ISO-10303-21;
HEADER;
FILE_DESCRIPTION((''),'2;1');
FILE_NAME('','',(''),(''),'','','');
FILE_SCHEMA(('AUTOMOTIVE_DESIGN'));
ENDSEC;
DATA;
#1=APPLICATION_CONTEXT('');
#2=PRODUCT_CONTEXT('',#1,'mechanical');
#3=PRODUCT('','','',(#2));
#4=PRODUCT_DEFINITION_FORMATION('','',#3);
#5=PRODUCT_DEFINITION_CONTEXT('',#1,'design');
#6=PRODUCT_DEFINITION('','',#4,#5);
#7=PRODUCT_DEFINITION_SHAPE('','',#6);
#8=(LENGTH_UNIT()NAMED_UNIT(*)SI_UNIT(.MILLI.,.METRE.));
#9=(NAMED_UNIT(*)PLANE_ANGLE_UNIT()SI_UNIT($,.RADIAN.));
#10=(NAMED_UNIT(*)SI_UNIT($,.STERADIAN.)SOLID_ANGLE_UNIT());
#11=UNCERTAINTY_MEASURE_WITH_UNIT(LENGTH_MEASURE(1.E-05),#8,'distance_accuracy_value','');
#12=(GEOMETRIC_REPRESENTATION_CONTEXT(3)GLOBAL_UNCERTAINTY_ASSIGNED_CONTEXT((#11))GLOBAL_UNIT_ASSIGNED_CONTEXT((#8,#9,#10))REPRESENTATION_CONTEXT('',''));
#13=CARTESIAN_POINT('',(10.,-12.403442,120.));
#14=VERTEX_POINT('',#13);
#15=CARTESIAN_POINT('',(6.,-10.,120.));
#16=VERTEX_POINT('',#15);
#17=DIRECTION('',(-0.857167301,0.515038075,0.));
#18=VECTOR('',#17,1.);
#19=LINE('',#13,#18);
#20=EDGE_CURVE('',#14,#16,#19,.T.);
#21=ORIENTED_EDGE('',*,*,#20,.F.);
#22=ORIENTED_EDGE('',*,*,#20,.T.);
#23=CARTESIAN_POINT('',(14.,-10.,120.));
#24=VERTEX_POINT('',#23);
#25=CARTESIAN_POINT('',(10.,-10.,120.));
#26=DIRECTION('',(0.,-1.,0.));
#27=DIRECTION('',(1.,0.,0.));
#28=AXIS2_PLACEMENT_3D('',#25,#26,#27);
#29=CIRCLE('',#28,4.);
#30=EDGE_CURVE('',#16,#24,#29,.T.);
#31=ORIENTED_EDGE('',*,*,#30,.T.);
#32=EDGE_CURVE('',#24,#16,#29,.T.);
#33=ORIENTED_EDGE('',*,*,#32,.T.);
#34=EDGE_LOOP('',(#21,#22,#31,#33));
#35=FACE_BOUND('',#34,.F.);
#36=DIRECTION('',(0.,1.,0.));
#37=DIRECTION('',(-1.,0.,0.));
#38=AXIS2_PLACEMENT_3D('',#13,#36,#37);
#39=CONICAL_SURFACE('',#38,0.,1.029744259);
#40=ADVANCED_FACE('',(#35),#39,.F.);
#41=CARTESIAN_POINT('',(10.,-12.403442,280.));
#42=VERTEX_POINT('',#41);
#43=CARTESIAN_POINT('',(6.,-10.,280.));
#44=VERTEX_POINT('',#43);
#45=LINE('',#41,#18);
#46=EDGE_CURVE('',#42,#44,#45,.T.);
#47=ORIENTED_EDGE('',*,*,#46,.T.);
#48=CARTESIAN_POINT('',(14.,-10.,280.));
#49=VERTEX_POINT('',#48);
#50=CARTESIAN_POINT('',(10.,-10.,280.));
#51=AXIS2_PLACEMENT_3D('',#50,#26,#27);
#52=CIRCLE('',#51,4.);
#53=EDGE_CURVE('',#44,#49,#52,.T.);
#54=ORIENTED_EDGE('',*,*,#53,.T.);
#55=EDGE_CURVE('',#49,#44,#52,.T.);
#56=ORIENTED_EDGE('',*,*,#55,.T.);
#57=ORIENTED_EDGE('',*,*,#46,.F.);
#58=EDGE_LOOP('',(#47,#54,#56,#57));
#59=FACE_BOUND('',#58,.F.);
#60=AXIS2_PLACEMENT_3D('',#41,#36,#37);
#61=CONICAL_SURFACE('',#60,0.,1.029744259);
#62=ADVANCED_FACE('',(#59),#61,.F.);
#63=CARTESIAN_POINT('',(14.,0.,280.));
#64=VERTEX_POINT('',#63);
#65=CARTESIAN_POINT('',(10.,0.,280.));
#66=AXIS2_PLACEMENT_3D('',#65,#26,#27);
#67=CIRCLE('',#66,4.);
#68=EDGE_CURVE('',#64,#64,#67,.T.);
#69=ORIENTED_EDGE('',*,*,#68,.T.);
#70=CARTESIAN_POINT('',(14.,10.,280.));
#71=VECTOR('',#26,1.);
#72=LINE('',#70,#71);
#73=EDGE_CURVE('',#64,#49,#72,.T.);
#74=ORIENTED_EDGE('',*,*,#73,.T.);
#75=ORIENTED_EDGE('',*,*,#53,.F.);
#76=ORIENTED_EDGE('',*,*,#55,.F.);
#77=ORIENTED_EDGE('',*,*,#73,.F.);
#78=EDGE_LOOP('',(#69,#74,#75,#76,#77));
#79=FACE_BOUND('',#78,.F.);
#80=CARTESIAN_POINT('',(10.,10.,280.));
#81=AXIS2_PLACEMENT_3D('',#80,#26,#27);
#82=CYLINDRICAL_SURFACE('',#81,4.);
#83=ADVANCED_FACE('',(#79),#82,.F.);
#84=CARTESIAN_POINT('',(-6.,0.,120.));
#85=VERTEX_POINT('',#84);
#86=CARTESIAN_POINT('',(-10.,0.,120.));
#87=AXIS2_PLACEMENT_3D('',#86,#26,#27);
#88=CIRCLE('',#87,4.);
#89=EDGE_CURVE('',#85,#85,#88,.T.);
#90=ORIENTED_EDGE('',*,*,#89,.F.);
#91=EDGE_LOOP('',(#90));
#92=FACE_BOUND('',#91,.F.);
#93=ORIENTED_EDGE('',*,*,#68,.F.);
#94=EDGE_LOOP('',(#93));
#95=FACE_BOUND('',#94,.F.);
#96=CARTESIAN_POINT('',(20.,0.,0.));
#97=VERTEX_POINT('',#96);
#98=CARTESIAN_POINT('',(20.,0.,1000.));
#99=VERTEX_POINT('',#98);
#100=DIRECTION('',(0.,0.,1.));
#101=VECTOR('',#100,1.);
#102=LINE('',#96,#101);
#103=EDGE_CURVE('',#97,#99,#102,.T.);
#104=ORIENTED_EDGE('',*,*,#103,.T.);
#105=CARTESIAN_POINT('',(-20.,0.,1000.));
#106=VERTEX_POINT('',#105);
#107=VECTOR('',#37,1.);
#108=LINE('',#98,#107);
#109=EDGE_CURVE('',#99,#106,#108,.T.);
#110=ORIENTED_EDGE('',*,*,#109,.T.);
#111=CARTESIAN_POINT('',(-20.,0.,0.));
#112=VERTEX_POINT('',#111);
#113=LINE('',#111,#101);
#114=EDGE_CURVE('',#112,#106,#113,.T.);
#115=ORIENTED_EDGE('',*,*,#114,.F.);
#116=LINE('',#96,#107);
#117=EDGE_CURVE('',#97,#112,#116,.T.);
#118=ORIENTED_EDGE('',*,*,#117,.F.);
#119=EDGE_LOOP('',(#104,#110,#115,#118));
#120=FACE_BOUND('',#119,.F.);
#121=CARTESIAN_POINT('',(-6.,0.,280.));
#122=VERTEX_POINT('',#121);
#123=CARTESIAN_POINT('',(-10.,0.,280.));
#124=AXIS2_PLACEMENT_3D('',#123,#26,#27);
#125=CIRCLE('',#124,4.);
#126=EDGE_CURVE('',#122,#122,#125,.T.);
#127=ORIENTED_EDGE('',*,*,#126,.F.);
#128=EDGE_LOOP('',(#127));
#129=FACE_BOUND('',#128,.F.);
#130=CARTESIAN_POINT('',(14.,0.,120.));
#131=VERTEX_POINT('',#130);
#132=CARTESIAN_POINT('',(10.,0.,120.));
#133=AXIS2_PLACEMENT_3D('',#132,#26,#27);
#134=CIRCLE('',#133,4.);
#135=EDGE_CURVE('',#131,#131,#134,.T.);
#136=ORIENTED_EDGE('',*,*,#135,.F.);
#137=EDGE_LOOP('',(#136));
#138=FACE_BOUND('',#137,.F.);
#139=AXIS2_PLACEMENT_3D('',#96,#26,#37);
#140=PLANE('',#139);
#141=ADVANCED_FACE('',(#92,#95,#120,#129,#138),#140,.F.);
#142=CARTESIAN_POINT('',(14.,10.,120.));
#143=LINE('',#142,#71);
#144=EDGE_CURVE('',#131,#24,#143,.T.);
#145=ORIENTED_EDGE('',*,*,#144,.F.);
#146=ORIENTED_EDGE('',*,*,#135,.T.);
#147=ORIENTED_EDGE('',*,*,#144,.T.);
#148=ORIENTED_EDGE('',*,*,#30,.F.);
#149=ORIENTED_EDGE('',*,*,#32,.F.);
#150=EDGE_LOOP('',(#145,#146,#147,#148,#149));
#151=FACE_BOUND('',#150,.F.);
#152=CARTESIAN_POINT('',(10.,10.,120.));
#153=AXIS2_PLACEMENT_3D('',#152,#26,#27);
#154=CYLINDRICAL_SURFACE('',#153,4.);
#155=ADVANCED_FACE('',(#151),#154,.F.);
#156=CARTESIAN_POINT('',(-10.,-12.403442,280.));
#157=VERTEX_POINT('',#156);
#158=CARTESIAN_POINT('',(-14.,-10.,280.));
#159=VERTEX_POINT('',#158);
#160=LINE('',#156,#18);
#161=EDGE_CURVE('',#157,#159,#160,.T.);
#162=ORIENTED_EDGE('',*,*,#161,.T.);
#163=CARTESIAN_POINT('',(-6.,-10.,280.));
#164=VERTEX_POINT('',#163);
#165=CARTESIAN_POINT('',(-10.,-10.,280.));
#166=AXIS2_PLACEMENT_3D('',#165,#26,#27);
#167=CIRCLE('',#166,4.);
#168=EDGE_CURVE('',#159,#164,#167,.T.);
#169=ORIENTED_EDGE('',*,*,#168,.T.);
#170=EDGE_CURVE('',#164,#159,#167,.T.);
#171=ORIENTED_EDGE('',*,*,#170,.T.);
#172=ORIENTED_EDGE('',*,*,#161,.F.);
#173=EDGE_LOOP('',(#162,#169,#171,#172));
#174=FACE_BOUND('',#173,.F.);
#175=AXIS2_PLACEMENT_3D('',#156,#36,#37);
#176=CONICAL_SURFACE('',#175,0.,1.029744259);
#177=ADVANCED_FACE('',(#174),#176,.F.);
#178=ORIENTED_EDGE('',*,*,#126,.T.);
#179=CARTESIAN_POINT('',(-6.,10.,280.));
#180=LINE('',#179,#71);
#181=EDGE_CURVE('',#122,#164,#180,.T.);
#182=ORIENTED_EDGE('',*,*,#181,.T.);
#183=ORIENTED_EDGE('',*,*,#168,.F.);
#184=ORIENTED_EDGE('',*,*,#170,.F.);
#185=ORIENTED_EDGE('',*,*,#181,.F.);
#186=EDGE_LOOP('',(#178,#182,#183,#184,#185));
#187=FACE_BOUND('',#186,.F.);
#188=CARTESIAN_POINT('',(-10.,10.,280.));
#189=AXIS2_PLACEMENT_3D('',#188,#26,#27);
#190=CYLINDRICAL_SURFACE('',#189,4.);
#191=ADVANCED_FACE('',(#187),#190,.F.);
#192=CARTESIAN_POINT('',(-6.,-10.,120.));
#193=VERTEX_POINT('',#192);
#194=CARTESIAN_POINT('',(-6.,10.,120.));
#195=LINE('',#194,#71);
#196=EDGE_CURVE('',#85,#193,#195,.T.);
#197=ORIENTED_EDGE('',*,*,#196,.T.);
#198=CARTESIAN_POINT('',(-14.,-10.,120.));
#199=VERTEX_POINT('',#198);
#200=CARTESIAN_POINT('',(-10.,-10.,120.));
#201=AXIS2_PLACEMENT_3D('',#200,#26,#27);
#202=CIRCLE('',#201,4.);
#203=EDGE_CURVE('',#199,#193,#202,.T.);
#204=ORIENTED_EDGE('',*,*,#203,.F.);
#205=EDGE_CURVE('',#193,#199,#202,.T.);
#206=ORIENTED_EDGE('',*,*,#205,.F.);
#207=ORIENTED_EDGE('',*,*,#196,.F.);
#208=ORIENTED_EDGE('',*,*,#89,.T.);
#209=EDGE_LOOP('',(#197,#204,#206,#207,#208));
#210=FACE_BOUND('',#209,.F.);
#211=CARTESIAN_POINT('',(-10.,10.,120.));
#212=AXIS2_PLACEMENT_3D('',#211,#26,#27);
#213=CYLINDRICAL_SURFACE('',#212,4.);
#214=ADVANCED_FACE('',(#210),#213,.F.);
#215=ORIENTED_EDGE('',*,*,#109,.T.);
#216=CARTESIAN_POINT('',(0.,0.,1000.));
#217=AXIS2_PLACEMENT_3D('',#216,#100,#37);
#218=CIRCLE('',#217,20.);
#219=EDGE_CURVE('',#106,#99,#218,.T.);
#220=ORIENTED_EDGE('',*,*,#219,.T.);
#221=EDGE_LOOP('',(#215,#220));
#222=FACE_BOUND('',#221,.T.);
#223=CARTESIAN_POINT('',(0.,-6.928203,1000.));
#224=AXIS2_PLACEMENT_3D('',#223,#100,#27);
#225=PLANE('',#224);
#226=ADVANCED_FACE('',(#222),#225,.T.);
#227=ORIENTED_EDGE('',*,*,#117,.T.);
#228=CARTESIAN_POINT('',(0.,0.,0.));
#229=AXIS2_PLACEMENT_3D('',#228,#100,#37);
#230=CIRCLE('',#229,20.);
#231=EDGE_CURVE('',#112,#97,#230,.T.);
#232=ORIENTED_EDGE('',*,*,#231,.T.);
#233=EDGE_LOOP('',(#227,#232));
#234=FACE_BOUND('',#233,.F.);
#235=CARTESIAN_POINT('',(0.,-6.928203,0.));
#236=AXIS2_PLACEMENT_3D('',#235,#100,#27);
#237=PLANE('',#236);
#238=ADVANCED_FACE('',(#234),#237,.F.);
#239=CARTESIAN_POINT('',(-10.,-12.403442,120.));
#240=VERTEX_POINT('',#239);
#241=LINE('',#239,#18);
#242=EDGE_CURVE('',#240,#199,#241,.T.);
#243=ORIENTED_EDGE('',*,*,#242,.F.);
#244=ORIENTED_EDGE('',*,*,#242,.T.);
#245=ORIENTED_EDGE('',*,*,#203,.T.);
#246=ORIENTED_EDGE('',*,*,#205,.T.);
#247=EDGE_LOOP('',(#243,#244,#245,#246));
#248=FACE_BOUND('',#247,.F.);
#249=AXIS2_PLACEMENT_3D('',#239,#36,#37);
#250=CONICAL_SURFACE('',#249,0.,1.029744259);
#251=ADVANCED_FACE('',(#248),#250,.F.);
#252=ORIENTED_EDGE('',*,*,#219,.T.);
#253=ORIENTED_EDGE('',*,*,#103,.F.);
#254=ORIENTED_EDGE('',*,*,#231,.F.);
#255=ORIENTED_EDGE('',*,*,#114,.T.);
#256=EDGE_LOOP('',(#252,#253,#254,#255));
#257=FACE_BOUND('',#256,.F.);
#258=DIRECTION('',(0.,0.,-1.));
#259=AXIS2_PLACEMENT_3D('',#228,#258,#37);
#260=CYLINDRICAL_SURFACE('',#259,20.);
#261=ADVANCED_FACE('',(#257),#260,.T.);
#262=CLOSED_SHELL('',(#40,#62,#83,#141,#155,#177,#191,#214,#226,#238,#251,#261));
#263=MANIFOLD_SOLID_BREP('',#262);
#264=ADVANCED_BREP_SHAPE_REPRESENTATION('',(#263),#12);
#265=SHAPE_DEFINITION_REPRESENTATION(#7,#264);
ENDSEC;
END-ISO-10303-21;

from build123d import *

# Parameters (mm, degrees)
F1_DEPTH = 1000
F3_D     = 8
F3_DEPTH = 10
F3_TIP   = 2.4034424761


with BuildPart() as f1:
    # F0 (on Top) → F1 (new body)
    with BuildSketch(Plane.XY):
        with BuildLine():
            Line((20, 0), (-20, 0))
            ThreePointArc((-20, 0), (0, -20), (20, 0))
        make_face()
    extrude(amount=F1_DEPTH)

    # F3
    with Locations(Plane(origin=(0, 0, 0), x_dir=(-1, 0, 0), z_dir=(0, 1, 0))):
        with Locations((-10, 280), (10, 280), (-10, 120), (10, 120)):
            Hole(F3_D / 2, depth=F3_DEPTH)
            with Locations((0, 0, -(F3_DEPTH + F3_TIP / 2))):  # 118° drill point
                Cone(0, F3_D / 2, F3_TIP, mode=Mode.SUBTRACT)


solid = f1.part
